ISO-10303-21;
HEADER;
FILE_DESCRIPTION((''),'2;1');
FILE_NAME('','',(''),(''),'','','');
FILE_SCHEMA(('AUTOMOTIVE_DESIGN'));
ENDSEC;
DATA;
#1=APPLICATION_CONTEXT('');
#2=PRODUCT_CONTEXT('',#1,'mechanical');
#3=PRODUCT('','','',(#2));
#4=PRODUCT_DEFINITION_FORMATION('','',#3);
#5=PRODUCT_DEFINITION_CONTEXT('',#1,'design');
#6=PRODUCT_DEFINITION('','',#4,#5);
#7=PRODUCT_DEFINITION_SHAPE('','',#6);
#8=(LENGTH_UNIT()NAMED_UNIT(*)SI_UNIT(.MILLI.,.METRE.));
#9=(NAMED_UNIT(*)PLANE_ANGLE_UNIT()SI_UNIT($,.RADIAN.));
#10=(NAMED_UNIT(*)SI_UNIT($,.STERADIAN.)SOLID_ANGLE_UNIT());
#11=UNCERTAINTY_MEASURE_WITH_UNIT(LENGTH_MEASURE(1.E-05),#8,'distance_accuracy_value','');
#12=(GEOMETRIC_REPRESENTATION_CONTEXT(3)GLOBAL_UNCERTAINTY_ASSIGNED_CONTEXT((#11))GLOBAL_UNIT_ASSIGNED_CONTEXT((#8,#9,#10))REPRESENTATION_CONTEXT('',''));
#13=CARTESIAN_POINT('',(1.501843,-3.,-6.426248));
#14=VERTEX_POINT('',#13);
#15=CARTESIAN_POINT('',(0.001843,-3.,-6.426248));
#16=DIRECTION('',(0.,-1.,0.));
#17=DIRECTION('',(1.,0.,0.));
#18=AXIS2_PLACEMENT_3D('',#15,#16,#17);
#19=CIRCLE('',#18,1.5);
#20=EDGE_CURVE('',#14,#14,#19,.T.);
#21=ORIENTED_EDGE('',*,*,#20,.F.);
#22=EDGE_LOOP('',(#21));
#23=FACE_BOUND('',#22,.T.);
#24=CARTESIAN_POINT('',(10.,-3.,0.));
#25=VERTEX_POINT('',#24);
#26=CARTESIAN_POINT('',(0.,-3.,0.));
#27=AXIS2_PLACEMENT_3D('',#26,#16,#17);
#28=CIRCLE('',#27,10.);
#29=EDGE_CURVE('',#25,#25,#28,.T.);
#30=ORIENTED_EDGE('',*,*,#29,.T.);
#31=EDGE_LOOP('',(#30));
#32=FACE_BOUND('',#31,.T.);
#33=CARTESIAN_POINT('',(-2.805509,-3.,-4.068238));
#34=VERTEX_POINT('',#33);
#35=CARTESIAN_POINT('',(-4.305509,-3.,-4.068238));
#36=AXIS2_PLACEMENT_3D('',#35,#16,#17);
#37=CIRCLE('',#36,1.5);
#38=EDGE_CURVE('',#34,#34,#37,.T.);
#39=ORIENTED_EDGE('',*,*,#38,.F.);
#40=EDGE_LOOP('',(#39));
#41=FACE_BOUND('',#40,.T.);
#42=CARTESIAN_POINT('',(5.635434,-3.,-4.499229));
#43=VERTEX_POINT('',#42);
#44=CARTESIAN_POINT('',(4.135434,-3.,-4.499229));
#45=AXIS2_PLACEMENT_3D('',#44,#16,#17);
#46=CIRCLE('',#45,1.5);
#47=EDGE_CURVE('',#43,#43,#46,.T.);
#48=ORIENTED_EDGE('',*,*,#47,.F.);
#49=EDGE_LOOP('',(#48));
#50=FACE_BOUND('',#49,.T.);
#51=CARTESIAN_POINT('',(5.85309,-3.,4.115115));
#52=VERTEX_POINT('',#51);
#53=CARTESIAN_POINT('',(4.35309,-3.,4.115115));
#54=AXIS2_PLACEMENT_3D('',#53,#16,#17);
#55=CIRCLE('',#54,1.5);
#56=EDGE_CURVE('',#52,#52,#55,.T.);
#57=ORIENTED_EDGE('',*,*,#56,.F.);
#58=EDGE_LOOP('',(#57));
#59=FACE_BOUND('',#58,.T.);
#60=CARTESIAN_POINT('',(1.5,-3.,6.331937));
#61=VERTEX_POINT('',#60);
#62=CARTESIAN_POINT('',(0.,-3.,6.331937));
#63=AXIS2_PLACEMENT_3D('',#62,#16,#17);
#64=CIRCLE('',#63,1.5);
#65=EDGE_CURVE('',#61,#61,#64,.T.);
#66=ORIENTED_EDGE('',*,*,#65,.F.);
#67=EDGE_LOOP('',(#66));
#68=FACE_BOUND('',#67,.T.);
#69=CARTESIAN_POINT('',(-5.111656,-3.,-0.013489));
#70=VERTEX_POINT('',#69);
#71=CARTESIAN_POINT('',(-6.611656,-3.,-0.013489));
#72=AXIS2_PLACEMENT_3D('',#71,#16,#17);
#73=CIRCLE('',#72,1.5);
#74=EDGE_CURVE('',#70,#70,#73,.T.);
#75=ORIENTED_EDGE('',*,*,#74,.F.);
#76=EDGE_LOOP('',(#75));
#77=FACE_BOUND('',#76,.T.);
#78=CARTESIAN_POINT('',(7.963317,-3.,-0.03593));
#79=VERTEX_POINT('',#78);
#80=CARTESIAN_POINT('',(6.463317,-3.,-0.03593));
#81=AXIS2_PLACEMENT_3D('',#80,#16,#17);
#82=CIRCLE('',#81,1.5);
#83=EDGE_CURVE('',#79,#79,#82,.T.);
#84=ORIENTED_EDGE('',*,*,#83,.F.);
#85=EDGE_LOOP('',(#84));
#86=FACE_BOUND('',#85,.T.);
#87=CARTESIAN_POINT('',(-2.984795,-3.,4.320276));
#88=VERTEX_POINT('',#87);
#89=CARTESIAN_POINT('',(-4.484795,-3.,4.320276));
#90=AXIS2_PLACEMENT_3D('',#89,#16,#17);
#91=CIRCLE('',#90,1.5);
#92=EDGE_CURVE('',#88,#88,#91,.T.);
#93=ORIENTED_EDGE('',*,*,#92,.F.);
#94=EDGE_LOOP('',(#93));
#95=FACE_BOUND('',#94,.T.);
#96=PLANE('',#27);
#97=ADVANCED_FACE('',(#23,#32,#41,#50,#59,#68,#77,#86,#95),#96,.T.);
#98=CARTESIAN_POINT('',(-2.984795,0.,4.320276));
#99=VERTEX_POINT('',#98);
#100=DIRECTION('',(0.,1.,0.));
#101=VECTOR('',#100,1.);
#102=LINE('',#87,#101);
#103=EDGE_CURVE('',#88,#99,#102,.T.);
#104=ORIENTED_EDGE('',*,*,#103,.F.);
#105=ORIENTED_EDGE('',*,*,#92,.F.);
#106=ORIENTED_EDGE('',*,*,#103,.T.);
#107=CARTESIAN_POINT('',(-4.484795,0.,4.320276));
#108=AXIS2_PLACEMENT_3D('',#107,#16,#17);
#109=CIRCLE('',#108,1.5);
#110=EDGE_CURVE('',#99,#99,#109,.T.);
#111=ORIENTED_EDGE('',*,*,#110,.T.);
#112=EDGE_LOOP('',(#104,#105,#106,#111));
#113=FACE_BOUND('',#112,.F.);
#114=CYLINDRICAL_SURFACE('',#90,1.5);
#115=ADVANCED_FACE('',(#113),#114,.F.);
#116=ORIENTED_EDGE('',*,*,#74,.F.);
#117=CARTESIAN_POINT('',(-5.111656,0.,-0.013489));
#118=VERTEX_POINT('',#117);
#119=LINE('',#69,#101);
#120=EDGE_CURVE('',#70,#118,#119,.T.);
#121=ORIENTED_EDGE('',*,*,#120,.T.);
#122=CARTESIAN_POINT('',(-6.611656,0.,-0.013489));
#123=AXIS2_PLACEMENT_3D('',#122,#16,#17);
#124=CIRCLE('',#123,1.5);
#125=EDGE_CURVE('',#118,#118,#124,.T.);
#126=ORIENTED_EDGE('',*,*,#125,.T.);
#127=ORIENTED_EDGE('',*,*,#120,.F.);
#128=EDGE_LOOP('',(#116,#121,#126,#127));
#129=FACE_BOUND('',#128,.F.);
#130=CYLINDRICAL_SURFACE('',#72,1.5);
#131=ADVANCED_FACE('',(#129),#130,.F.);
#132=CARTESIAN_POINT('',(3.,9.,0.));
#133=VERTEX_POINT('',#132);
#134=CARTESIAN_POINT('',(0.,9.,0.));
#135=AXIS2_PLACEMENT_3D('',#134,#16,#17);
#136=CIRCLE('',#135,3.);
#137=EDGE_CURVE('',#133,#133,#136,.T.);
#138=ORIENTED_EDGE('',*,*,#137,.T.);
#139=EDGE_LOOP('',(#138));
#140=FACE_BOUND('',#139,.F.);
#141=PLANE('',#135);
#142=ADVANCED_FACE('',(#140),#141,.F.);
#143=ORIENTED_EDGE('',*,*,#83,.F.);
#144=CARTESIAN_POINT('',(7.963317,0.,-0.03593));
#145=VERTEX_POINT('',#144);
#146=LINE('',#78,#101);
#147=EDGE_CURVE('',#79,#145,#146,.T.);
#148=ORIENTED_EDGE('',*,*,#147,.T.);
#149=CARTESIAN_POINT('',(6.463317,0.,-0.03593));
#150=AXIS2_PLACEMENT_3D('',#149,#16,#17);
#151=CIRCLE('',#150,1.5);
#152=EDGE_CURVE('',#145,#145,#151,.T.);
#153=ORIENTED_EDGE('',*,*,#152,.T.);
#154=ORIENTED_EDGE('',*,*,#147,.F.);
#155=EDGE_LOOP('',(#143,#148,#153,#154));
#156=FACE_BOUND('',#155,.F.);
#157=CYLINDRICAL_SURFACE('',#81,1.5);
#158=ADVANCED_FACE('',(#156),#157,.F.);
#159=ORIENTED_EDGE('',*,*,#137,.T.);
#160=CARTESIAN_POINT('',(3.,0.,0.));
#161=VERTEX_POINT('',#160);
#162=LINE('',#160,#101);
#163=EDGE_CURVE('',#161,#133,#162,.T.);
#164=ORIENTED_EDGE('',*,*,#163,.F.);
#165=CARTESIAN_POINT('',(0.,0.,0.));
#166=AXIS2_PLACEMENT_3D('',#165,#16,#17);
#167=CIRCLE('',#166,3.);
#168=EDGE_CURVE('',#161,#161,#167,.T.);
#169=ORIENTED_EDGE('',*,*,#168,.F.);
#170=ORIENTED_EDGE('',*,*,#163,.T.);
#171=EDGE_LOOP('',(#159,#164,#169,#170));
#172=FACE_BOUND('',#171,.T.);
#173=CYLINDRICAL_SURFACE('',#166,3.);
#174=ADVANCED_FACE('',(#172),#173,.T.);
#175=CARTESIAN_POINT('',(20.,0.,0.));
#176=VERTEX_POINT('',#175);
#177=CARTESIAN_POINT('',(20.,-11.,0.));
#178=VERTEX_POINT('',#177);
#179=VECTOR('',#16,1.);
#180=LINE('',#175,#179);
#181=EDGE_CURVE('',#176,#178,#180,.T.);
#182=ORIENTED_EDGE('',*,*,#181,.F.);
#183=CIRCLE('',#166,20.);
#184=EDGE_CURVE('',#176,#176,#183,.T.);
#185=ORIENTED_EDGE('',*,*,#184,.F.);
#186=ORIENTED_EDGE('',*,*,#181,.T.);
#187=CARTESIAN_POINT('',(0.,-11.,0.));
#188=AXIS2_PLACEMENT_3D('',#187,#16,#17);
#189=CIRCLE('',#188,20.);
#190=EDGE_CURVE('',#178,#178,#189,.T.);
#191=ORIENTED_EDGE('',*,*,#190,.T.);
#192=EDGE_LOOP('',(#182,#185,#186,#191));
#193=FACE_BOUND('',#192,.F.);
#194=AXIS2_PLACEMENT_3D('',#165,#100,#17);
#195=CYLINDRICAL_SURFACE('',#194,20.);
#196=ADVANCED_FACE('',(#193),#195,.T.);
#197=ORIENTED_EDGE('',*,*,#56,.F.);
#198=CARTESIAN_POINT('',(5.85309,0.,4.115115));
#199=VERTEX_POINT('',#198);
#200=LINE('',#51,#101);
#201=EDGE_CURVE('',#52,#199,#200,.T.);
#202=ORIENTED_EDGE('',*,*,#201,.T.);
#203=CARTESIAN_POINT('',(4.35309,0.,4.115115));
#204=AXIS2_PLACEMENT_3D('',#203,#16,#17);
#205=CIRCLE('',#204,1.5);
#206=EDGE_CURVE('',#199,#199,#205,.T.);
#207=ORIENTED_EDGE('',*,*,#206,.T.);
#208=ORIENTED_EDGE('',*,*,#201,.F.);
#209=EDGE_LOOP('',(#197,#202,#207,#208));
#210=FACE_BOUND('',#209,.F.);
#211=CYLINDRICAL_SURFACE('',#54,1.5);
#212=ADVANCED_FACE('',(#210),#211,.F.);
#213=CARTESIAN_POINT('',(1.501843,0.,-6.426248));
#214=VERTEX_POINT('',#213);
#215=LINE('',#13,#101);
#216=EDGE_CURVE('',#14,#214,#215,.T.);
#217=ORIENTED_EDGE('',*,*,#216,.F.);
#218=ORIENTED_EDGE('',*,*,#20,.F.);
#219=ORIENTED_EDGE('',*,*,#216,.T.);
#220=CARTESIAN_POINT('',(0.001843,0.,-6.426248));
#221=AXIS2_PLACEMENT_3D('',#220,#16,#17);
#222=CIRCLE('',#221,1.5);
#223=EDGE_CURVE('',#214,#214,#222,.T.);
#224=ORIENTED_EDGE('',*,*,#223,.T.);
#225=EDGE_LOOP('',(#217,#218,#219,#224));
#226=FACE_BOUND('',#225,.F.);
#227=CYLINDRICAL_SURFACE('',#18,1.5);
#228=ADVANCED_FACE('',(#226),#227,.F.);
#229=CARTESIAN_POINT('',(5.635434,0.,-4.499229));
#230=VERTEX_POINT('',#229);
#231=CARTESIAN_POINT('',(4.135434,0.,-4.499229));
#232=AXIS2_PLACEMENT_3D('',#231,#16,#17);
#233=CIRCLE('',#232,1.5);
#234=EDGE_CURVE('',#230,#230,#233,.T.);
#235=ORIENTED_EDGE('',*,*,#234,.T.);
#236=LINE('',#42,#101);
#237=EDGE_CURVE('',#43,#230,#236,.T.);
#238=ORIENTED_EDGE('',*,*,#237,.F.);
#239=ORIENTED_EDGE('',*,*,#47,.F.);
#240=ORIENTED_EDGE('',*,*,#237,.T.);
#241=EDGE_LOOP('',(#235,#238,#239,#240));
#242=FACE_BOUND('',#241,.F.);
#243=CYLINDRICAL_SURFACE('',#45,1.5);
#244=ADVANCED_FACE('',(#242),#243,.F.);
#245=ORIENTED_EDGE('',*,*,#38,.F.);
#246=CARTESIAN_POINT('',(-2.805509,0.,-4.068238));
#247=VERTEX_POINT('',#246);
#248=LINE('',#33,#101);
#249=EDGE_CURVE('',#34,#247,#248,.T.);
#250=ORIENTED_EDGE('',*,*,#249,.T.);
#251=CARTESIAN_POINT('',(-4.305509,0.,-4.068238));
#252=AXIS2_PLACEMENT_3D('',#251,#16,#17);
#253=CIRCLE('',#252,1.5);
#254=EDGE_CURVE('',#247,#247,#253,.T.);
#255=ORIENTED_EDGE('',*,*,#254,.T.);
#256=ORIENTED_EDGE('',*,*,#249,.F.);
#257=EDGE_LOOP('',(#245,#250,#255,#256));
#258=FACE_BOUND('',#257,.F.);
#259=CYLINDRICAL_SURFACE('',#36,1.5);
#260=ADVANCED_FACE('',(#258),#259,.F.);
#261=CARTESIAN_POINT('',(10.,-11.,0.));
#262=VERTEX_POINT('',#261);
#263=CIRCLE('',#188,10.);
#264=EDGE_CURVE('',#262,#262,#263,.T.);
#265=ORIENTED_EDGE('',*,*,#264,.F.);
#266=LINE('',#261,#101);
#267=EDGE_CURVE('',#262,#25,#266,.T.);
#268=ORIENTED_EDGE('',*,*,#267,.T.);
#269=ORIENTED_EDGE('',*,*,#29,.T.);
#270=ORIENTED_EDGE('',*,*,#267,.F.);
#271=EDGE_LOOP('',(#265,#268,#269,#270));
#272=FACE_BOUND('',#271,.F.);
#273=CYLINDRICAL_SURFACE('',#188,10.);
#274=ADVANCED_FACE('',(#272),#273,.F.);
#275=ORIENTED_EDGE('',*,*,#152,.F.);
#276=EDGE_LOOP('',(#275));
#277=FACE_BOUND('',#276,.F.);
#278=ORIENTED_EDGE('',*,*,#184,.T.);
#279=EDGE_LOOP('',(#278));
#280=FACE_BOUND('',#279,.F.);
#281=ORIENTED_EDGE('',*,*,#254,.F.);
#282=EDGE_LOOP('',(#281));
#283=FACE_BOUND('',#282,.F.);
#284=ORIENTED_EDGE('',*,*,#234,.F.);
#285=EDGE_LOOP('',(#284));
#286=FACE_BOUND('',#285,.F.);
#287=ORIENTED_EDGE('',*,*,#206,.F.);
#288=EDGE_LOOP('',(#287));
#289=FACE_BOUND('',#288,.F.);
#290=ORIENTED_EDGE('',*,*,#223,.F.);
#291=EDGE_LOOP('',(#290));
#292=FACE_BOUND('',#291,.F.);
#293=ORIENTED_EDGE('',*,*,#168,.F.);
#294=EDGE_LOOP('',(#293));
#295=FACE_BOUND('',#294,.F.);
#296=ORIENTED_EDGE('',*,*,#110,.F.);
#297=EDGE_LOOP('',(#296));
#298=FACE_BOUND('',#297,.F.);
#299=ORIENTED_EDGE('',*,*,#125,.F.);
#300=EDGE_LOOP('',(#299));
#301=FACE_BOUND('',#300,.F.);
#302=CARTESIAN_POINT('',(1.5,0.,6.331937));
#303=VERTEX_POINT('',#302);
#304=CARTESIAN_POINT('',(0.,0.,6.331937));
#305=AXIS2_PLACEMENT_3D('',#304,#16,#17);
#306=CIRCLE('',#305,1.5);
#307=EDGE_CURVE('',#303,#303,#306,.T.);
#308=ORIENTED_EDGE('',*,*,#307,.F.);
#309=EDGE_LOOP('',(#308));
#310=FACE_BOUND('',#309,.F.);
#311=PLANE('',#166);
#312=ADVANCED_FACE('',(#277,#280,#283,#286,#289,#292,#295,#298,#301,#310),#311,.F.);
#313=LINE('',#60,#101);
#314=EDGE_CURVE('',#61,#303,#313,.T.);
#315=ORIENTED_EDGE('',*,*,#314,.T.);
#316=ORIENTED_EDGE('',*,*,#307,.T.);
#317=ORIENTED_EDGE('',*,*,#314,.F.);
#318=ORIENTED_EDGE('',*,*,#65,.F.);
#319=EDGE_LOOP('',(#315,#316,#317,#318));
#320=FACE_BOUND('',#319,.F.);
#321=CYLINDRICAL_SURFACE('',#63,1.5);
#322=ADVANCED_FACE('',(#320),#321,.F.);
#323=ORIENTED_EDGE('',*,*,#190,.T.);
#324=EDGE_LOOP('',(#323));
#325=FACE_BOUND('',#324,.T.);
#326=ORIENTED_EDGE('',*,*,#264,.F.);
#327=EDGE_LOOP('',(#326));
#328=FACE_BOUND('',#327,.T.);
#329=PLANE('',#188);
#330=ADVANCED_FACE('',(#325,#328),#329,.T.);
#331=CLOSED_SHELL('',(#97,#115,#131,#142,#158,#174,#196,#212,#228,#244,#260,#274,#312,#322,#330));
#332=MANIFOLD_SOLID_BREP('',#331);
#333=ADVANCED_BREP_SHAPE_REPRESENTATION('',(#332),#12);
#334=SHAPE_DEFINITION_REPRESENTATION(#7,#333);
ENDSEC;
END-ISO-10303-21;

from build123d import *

# Parameters (mm, degrees)
F0_R     = 3
F1_DEPTH = 9
F2_R     = 3
F3_DEPTH = 9.5
F2_R_2   = 20
F4_DEPTH = 11
F5_R     = 10
F6_DEPTH = 8
F7_R     = 1.5
F8_DEPTH = 8


with BuildPart() as f1:
    # F0 (on Front) → F1 (new body)
    with BuildSketch(Plane.XZ):
        Circle(F0_R)
    extrude(amount=-F1_DEPTH)

    # F2 (on face) → F3 (join)
    with BuildSketch(Plane.XZ):
        Circle(F2_R)
    extrude(amount=F3_DEPTH)

    # F2 (on face) → F4 (join)
    with BuildSketch(Plane.XZ):
        Circle(F2_R_2)
    extrude(amount=F4_DEPTH)

    # F5 (on face) → F6 (cut)
    with BuildSketch(Plane.XZ.offset(11)):
        Circle(F5_R)
    extrude(amount=-F6_DEPTH, mode=Mode.SUBTRACT)

    # F7 (on face) → F8 (cut)
    with BuildSketch(Plane.XZ.offset(3)):
        with Locations((6.463317, -0.03593)):
            Circle(F7_R)
        with Locations((4.35309, 4.115115)):
            Circle(F7_R)
        with Locations((0, 6.331937)):
            Circle(F7_R)
        with Locations((-4.484795, 4.320276)):
            Circle(F7_R)
        with Locations((-6.611656, -0.013489)):
            Circle(F7_R)
        with Locations((-4.305509, -4.068238)):
            Circle(F7_R)
        with Locations((0.001843, -6.426248)):
            Circle(F7_R)
        with Locations((4.135434, -4.499229)):
            Circle(F7_R)
    extrude(amount=-F8_DEPTH, mode=Mode.SUBTRACT)


solid = f1.part
